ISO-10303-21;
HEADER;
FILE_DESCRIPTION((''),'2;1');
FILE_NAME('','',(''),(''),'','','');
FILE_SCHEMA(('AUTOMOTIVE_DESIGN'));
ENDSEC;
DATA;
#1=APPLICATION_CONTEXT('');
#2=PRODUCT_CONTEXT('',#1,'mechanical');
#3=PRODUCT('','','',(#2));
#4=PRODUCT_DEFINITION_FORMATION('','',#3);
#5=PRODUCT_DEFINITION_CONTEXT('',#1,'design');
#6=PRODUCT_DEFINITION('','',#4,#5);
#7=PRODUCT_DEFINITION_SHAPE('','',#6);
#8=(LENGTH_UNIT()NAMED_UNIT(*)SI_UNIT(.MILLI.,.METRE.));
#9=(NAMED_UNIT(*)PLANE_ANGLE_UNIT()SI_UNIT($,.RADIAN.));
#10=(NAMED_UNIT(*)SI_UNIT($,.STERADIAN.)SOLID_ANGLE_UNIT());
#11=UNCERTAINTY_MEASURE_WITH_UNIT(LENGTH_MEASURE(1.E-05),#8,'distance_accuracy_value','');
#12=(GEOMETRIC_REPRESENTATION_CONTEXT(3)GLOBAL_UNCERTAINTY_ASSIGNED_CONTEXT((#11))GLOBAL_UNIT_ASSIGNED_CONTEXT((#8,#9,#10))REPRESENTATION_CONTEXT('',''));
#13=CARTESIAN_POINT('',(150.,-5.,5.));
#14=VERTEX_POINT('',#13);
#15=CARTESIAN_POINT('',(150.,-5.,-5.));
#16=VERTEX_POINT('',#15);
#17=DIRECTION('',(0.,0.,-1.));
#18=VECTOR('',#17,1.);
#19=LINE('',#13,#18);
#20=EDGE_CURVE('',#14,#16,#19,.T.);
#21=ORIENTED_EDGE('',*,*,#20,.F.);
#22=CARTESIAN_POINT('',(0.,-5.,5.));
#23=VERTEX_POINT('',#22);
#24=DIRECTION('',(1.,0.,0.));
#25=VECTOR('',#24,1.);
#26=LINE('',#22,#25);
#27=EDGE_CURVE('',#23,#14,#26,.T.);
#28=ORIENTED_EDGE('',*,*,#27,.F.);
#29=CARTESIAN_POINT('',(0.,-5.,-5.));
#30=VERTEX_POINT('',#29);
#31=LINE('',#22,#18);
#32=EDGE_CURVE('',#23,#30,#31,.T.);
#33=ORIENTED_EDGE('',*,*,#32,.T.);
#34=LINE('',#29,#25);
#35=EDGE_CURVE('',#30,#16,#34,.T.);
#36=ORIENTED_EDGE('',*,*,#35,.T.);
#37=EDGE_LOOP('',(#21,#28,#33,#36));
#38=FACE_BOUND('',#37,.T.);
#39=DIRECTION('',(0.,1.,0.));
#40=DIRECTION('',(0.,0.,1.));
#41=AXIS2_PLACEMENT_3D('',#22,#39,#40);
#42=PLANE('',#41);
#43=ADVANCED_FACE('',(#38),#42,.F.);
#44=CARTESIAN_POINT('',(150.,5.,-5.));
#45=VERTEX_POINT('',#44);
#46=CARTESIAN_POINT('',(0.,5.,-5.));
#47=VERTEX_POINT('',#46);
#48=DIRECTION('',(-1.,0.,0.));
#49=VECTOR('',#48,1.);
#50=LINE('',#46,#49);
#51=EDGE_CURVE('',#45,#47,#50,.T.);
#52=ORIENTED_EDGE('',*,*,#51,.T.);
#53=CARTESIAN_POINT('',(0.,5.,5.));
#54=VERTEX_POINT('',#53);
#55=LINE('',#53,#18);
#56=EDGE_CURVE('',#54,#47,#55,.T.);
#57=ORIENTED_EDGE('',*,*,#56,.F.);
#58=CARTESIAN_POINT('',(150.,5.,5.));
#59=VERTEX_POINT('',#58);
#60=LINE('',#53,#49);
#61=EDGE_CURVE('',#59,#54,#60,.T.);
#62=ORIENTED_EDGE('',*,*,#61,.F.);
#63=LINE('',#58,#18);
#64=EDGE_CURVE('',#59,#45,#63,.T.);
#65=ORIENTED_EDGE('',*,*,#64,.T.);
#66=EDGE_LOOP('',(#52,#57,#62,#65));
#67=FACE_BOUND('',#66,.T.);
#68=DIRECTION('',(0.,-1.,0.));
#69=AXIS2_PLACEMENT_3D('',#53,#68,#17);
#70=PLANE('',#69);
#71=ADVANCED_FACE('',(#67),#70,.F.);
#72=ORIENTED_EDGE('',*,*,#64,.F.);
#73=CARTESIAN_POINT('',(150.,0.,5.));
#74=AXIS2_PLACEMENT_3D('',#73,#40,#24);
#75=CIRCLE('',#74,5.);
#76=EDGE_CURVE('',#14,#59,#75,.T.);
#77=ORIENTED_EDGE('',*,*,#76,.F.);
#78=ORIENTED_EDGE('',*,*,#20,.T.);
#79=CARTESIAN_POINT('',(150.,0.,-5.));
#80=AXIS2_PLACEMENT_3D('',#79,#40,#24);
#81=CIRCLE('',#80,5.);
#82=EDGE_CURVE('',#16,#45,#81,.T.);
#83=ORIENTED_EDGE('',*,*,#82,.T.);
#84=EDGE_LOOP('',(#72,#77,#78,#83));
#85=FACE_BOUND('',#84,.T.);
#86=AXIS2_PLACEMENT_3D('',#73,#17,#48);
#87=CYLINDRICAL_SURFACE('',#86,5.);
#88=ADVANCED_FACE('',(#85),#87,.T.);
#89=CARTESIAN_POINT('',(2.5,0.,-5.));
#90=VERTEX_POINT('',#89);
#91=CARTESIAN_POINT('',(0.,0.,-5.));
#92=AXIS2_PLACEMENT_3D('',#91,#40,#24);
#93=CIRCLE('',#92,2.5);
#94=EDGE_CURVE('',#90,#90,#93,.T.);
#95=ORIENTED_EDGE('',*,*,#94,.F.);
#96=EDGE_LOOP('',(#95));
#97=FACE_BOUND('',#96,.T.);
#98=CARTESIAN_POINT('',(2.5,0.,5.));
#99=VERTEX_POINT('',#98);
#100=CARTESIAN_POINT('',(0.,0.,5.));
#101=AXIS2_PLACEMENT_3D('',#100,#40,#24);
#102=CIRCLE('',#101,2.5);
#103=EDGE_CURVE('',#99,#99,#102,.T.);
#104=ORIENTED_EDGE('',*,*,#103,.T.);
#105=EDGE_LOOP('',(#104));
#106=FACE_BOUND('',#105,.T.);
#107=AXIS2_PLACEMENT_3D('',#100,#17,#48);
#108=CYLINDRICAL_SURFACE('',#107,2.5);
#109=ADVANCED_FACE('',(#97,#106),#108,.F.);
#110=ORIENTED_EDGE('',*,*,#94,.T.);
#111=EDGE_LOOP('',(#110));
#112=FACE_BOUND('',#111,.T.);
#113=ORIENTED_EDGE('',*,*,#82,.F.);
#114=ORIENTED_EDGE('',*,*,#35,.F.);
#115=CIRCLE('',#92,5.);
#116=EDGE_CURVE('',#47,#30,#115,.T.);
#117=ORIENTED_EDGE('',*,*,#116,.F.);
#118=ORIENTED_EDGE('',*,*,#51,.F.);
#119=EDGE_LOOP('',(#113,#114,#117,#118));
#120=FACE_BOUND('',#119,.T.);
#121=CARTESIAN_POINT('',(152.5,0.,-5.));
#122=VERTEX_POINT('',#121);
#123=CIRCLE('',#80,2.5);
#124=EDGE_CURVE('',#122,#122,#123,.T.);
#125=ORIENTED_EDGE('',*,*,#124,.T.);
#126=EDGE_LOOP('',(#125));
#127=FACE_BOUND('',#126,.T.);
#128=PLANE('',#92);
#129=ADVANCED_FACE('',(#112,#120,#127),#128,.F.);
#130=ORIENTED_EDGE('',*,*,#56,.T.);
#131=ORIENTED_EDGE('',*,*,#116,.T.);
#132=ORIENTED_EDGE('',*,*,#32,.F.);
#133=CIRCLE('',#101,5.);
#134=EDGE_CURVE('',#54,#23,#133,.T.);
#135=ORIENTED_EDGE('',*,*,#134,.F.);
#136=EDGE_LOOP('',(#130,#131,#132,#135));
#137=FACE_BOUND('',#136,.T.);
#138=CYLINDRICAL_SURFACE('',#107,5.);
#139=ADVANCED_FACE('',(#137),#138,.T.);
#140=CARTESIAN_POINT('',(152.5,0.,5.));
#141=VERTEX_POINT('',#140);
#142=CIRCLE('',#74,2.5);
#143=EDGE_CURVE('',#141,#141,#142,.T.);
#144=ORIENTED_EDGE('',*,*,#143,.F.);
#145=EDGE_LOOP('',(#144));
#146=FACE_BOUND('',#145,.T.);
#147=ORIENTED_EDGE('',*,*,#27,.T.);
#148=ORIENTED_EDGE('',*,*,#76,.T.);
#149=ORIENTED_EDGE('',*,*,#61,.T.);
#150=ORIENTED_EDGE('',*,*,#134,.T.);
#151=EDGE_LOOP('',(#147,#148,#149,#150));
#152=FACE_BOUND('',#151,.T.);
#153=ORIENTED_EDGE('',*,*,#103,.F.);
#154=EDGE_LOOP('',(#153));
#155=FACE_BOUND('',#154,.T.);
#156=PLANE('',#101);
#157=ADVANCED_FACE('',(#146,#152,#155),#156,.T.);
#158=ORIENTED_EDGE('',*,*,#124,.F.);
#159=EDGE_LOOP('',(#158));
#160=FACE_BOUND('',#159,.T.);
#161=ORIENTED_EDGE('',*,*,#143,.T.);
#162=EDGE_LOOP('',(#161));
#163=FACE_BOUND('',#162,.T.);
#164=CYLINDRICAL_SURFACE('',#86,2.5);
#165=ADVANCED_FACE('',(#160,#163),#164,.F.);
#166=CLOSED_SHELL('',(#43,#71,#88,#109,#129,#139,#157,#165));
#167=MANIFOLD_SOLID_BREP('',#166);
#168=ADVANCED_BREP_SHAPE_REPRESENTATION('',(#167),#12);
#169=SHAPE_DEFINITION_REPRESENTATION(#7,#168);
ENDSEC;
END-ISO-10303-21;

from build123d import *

# Parameters (mm, degrees)
SKETCH1_R           = 2.5
BOSS_EXTRUDE1_DEPTH = 5


with BuildPart() as part:
    # Sketch1 → Boss-Extrude1 (new, symmetric)
    with BuildSketch(Plane.XY):
        with BuildLine():
            Line((0, 5), (150, 5))
            ThreePointArc((150, 5), (155, 0), (150, -5))
            Line((150, -5), (0, -5))
            ThreePointArc((0, -5), (-5, 0), (0, 5))
        make_face()
        Circle(SKETCH1_R, mode=Mode.SUBTRACT)
        with Locations((150, 0)):
            Circle(SKETCH1_R, mode=Mode.SUBTRACT)
    extrude(amount=BOSS_EXTRUDE1_DEPTH, both=True)


solid = part.part
